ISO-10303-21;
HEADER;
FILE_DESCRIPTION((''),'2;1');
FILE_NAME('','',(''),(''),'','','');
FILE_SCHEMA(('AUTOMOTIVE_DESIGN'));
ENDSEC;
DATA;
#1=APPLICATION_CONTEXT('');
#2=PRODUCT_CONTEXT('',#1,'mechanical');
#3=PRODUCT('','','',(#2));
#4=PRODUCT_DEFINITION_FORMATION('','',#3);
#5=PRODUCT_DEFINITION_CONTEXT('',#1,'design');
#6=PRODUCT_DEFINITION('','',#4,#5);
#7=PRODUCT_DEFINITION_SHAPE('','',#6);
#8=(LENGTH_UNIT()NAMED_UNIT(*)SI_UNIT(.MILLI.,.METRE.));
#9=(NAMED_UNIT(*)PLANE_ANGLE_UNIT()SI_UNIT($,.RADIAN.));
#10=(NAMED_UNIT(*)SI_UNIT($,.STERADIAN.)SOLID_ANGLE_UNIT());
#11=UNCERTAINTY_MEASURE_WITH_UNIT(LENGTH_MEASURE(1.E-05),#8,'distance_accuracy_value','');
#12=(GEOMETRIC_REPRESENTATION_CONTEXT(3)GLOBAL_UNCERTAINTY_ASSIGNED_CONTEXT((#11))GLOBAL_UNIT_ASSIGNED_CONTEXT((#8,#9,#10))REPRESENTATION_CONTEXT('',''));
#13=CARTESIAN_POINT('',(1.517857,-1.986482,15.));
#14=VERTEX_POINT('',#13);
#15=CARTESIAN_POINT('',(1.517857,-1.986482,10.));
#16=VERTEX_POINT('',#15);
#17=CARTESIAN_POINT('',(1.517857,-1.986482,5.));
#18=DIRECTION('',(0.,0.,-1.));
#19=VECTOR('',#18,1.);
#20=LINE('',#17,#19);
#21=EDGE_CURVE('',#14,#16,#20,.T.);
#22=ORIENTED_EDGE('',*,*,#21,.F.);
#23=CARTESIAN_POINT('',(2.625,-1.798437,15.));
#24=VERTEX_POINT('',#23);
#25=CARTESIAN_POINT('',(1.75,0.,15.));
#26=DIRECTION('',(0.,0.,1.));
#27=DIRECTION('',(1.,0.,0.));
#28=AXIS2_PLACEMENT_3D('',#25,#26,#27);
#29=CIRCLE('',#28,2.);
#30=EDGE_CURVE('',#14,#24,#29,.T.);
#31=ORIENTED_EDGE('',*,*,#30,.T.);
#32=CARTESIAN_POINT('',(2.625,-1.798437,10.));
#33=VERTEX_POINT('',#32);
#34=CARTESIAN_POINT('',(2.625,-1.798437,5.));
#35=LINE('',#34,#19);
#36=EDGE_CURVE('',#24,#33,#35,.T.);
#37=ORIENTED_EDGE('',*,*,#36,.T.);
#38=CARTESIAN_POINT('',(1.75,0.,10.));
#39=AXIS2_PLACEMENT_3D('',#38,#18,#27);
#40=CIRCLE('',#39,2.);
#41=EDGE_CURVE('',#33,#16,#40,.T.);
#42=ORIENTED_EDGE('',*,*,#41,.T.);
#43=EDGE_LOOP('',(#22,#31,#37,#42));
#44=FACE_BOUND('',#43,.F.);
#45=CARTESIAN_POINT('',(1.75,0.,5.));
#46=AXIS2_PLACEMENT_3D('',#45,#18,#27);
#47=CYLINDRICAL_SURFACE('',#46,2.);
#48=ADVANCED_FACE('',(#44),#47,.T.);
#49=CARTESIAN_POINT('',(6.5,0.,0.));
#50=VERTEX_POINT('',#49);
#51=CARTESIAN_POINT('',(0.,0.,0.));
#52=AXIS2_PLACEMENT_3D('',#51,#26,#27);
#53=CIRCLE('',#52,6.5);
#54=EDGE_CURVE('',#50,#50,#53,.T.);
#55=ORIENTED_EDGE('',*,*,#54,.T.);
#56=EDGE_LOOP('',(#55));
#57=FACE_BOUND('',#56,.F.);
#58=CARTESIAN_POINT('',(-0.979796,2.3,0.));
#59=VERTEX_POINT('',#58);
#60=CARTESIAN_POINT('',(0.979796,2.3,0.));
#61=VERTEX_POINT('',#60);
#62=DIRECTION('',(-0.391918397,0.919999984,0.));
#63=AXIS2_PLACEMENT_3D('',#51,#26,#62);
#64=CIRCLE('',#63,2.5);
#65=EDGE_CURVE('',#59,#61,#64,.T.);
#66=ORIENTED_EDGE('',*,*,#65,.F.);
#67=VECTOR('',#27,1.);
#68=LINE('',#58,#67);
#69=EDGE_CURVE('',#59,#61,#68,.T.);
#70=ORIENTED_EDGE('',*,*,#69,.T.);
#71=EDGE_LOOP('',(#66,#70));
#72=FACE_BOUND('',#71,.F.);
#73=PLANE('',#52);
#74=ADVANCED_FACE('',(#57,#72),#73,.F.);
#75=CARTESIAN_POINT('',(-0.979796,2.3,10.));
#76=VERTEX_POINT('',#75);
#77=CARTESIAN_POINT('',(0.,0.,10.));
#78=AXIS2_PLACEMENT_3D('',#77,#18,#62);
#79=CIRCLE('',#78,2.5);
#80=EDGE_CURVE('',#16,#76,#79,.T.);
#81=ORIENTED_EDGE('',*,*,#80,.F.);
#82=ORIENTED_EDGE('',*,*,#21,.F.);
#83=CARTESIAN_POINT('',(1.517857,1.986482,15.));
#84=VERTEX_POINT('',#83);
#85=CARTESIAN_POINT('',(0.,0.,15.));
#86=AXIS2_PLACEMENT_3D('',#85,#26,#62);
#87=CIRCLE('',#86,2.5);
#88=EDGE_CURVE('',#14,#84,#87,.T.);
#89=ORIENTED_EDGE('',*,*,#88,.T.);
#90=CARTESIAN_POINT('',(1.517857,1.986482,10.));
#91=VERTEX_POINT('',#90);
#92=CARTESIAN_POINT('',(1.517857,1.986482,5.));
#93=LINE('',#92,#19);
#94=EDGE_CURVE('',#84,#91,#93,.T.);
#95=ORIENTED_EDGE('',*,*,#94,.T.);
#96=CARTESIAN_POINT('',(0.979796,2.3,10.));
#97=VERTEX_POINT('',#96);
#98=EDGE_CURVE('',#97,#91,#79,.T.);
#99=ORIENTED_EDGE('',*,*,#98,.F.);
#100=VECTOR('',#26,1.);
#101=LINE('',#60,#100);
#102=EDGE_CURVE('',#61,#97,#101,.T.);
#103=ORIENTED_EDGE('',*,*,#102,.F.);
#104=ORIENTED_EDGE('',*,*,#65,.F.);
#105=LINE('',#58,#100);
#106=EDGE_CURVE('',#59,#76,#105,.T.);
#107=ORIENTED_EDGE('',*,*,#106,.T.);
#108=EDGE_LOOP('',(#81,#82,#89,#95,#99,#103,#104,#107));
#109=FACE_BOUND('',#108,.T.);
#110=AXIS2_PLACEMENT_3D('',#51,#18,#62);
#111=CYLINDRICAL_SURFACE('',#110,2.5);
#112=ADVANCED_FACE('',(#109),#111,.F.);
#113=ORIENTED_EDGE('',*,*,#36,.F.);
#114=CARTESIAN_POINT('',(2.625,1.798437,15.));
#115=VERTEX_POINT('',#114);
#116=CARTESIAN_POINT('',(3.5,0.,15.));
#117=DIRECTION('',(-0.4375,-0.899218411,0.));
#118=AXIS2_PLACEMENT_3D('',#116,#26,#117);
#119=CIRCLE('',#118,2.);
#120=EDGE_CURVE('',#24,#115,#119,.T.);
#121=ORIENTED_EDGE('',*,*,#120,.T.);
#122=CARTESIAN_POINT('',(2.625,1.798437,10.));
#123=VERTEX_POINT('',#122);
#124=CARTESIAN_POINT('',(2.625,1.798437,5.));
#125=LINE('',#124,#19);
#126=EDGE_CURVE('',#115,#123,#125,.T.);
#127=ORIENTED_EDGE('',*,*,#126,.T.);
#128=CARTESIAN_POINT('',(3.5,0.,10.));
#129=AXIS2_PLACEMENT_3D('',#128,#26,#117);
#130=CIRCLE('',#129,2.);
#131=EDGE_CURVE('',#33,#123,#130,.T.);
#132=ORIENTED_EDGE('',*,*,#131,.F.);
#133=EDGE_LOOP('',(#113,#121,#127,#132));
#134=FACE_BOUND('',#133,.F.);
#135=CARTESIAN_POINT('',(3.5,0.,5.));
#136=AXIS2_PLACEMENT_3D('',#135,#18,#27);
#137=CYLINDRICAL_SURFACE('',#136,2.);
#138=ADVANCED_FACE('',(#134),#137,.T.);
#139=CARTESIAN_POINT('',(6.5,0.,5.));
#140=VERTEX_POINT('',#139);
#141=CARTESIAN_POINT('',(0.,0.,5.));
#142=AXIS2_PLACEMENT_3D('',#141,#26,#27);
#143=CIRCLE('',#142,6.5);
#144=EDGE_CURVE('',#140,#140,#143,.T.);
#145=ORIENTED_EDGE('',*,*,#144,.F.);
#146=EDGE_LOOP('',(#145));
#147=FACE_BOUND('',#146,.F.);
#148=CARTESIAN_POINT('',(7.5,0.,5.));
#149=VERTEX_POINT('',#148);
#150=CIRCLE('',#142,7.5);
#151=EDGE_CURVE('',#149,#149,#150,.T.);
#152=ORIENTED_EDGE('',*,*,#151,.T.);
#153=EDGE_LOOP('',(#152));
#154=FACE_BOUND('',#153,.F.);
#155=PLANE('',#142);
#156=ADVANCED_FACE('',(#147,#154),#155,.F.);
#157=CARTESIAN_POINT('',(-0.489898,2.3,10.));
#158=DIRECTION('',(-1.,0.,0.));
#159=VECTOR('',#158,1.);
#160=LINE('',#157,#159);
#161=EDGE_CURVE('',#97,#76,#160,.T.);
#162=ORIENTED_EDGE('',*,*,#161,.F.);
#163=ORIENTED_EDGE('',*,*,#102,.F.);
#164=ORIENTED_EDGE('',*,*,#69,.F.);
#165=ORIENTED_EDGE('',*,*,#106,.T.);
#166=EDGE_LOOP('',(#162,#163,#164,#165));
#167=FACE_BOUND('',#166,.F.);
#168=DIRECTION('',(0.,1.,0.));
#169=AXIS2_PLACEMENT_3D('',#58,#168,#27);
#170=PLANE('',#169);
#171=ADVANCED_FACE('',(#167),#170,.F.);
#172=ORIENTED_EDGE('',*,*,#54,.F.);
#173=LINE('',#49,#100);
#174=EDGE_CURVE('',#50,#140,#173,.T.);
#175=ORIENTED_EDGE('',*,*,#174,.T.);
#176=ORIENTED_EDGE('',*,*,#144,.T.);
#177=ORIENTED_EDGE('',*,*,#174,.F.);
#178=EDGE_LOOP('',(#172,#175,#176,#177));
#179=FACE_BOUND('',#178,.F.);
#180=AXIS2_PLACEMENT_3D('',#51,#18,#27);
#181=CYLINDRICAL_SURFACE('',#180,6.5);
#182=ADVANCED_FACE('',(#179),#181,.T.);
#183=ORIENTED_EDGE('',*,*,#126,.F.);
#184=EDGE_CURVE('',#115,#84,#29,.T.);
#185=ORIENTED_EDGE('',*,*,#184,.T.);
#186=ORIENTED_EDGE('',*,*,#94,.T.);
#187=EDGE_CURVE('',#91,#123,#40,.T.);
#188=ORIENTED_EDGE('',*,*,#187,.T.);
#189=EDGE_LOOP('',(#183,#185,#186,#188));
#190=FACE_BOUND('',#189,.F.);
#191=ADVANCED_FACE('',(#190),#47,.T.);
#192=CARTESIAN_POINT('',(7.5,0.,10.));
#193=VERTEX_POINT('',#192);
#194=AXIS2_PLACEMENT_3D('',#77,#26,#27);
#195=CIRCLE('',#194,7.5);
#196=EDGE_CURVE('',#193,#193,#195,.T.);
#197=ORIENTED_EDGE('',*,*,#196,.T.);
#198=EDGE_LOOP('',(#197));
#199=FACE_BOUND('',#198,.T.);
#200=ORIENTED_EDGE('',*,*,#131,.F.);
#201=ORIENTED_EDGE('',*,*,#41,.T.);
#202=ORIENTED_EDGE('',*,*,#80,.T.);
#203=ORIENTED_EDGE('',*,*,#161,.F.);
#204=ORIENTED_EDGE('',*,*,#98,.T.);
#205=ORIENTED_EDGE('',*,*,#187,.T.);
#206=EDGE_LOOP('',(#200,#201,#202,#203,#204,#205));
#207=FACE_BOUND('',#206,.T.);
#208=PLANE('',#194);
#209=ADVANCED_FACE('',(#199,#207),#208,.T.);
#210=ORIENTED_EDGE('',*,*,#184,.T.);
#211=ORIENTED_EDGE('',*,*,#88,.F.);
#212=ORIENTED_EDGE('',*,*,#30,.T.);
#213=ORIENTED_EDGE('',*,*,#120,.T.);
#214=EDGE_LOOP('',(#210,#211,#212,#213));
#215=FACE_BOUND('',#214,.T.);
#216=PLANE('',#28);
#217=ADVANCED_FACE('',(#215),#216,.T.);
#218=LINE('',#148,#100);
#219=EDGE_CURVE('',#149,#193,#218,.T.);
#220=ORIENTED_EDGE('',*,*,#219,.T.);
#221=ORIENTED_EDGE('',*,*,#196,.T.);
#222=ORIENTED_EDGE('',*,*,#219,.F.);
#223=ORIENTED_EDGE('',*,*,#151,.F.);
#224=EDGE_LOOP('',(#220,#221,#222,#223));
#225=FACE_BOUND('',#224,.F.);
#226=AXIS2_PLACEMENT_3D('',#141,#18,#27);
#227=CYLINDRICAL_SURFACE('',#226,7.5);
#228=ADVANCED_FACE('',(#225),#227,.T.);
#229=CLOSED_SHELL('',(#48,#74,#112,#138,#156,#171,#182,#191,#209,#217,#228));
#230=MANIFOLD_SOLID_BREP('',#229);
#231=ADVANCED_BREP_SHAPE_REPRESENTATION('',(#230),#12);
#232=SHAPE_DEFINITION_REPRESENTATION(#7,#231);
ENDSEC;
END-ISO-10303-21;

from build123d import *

# Parameters (mm, degrees)
SHAFTSKETCH_R           = 6.5
BEARINGHOLEPAD_DEPTH    = 5
SHAFT1SKETCH_R          = 7.5
SHAFTABOVEBASEPAD_DEPTH = 5
PIN1SKETCH_R            = 2
PIN1PAD_DEPTH           = 10
PIN2SKETCH_R            = 2
PIN2PAD_DEPTH           = 10
INPUTKEYPOCKET_DEPTH    = 15


with BuildPart() as part:
    # ShaftSketch → bearingholePad (new body)
    with BuildSketch(Plane.XY):
        Circle(SHAFTSKETCH_R)
    extrude(amount=BEARINGHOLEPAD_DEPTH)

    # Shaft1Sketch → shaftabovebasePad (join)
    with BuildSketch(Plane.XY.offset(5)):
        Circle(SHAFT1SKETCH_R)
    extrude(amount=SHAFTABOVEBASEPAD_DEPTH)

    # Pin1Sketch → Pin1Pad (join)
    with BuildSketch(Plane.XY.offset(5)):
        with Locations((1.75, 0)):
            Circle(PIN1SKETCH_R)
    extrude(amount=PIN1PAD_DEPTH)

    # Pin2Sketch → Pin2Pad (join)
    with BuildSketch(Plane.XY.offset(5)):
        with Locations((3.5, 0)):
            Circle(PIN2SKETCH_R)
    extrude(amount=PIN2PAD_DEPTH)

    # InputKeySketch → InputKeyPocket (cut)
    with BuildSketch(Plane.XY):
        with BuildLine():
            ThreePointArc((-0.979796, 2.3), (0, -2.5), (0.979796, 2.3))
            Line((-0.979796, 2.3), (0.979796, 2.3))
        make_face()
    extrude(amount=INPUTKEYPOCKET_DEPTH, mode=Mode.SUBTRACT)


solid = part.part
